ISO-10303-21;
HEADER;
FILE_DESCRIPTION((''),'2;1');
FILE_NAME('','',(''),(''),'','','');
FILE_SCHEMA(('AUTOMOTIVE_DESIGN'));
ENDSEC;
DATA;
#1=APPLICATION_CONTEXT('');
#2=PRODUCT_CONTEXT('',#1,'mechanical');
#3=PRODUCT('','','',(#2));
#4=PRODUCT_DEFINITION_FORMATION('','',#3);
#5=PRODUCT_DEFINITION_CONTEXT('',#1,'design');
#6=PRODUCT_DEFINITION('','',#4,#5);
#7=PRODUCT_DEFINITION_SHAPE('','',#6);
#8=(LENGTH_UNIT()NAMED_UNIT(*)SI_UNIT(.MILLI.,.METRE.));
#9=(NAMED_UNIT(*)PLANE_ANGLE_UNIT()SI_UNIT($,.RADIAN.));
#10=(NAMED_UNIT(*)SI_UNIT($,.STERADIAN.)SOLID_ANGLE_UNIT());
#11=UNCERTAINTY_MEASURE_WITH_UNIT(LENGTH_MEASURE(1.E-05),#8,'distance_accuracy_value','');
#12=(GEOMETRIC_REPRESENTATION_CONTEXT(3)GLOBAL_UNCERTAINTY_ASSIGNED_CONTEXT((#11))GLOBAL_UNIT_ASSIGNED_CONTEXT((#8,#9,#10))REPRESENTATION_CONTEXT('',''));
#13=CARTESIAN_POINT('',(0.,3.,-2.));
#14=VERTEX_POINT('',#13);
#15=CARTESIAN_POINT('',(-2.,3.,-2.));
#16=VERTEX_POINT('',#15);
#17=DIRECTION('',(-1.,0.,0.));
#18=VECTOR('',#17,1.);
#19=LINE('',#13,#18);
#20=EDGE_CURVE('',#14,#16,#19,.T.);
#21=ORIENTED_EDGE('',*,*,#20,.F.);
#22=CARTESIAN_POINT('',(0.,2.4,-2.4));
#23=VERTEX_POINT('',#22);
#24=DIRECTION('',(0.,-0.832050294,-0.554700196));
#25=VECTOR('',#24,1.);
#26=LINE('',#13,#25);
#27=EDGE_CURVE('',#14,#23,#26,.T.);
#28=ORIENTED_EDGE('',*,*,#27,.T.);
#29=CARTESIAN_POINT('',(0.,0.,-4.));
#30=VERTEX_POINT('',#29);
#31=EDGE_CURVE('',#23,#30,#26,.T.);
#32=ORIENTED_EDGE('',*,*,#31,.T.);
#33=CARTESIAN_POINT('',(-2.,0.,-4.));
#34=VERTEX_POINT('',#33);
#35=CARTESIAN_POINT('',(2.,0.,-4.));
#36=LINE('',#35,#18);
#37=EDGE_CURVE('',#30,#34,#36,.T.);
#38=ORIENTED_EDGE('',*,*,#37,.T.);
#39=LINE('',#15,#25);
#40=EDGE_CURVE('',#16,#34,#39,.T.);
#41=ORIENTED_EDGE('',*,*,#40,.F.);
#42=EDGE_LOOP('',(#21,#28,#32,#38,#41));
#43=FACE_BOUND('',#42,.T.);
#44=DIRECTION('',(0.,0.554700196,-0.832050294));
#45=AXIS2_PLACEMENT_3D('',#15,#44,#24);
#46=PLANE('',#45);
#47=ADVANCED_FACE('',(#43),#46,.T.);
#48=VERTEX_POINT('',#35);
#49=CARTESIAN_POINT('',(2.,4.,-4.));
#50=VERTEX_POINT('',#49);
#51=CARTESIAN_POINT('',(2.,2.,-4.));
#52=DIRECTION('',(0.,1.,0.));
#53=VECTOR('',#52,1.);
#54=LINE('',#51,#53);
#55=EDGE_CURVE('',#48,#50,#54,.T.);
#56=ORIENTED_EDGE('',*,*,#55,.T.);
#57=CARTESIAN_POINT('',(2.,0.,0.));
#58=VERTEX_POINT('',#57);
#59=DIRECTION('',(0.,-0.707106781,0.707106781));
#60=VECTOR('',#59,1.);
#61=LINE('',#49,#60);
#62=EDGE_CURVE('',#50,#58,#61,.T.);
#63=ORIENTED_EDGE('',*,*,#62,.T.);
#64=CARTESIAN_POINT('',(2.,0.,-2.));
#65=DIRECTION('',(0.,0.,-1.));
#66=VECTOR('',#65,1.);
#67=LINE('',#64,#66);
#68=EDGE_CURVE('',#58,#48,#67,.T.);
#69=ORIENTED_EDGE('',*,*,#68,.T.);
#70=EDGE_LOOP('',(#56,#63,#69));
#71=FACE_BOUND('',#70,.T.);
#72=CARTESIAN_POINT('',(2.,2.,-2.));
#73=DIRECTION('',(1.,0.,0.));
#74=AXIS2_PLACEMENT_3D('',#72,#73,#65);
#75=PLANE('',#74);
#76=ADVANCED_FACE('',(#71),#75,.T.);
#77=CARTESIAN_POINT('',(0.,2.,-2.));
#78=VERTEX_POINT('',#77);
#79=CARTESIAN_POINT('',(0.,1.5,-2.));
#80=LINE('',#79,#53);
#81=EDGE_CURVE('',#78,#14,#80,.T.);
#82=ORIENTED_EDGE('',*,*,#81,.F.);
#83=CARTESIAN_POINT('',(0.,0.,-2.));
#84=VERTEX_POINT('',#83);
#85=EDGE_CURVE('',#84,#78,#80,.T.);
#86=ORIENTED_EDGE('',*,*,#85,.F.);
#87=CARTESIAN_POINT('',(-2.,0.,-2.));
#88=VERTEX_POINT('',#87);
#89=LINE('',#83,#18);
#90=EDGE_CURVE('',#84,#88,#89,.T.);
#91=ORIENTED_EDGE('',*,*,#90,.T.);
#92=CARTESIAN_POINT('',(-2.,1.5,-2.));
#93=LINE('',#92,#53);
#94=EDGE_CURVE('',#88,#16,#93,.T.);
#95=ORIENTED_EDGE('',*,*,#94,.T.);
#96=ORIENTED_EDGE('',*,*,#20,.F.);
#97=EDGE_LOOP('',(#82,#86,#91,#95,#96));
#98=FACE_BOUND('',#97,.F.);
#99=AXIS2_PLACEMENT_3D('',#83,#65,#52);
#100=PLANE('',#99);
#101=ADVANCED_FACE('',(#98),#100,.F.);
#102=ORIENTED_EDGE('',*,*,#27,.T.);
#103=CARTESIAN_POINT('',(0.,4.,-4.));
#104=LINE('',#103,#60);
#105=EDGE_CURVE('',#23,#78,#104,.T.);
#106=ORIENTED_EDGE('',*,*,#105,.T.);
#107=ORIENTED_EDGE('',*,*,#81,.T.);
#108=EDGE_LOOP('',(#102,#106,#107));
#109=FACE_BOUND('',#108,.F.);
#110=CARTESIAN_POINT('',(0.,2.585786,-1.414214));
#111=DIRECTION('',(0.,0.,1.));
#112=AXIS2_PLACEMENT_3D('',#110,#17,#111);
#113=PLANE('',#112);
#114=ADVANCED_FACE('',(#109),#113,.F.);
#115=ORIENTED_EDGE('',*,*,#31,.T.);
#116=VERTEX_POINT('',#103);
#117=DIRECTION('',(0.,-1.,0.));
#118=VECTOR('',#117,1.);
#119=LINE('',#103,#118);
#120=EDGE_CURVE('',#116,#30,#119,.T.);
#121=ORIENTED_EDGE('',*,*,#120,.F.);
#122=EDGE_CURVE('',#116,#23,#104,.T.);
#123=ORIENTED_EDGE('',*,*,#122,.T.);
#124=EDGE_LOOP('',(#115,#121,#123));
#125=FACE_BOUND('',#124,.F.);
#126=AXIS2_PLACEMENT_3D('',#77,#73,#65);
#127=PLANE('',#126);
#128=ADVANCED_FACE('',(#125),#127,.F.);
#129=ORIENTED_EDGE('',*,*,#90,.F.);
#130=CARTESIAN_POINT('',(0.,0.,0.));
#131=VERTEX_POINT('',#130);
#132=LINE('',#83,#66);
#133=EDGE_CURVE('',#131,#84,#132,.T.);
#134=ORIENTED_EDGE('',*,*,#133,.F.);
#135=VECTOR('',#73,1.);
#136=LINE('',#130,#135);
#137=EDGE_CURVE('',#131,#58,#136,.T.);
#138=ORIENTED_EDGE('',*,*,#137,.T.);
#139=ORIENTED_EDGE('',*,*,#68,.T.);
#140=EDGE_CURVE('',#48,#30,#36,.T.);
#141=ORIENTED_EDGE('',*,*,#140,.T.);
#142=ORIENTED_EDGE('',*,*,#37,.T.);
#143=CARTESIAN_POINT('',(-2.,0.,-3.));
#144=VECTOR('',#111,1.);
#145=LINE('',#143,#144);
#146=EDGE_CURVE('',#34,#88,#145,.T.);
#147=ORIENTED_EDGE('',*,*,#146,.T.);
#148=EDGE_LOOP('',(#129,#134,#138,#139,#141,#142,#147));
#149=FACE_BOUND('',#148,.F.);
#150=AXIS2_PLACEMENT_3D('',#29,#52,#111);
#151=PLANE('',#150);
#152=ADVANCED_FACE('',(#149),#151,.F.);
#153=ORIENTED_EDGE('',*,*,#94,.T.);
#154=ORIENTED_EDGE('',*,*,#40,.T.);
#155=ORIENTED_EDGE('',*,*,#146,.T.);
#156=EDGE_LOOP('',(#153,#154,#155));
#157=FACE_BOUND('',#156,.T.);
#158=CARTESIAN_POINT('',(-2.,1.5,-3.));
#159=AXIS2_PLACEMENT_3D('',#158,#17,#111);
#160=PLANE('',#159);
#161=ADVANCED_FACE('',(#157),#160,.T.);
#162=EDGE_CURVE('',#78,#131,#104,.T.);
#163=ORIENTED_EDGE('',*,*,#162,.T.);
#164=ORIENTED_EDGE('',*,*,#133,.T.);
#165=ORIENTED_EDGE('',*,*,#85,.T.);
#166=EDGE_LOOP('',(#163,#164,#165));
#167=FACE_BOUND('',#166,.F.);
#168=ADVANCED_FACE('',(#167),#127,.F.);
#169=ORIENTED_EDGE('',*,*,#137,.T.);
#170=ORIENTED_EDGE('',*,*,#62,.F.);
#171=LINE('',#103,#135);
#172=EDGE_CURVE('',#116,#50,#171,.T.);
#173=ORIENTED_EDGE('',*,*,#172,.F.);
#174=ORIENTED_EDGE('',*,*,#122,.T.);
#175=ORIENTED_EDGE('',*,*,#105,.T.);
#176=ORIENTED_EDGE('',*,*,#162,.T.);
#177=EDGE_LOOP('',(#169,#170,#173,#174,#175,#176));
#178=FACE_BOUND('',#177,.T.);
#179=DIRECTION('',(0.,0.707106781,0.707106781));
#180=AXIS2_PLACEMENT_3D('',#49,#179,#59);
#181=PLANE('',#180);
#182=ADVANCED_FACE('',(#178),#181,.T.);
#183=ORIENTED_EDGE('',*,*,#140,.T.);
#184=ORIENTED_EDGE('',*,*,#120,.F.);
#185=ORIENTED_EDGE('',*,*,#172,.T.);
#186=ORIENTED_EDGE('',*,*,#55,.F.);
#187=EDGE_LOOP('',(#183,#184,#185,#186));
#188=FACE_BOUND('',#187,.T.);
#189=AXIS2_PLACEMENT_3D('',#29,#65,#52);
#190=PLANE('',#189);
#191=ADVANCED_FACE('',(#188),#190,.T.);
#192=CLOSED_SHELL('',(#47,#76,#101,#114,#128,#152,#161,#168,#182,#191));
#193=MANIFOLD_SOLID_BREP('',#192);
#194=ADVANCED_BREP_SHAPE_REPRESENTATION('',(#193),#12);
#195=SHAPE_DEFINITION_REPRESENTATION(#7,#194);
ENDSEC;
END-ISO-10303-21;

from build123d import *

# Parameters (mm, degrees)
SKETCH1_W           = 4
SKETCH1_H           = 4
BOSS_EXTRUDE1_DEPTH = 2
SKETCH2_W           = 2
SKETCH2_H           = 3
BOSS_EXTRUDE2_DEPTH = 2
CUT_EXTRUDE1_DEPTH  = 2
CUT_EXTRUDE2_DEPTH  = 2


with BuildPart() as part:
    # Sketch1 → Boss-Extrude1 (new body)
    with BuildSketch(Plane(origin=(0, 0, 0), x_dir=(0, 0, -1), z_dir=(1, 0, 0))):
        with Locations((2, 2)):
            Rectangle(SKETCH1_W, SKETCH1_H)
    extrude(amount=BOSS_EXTRUDE1_DEPTH)

    # Sketch2 → Boss-Extrude2 (add)
    with BuildSketch(Plane.ZY):
        with Locations((-3, 1.5)):
            Rectangle(SKETCH2_W, SKETCH2_H)
    extrude(amount=BOSS_EXTRUDE2_DEPTH)

    # Sketch3 → Cut-Extrude1 (cut)
    with BuildSketch(Plane.ZY.offset(2)):
        Polygon((-2, 3), (-4, 0), (-4, 3), align=None)
    extrude(amount=-CUT_EXTRUDE1_DEPTH, mode=Mode.SUBTRACT)

    # Sketch4 → Cut-Extrude2 (cut)
    with BuildSketch(Plane(origin=(2, 0, 0), x_dir=(0, 0, -1), z_dir=(1, 0, 0))):
        Polygon((4, 4), (0, 0), (0, 4), align=None)
    extrude(amount=-CUT_EXTRUDE2_DEPTH, mode=Mode.SUBTRACT)


solid = part.part
